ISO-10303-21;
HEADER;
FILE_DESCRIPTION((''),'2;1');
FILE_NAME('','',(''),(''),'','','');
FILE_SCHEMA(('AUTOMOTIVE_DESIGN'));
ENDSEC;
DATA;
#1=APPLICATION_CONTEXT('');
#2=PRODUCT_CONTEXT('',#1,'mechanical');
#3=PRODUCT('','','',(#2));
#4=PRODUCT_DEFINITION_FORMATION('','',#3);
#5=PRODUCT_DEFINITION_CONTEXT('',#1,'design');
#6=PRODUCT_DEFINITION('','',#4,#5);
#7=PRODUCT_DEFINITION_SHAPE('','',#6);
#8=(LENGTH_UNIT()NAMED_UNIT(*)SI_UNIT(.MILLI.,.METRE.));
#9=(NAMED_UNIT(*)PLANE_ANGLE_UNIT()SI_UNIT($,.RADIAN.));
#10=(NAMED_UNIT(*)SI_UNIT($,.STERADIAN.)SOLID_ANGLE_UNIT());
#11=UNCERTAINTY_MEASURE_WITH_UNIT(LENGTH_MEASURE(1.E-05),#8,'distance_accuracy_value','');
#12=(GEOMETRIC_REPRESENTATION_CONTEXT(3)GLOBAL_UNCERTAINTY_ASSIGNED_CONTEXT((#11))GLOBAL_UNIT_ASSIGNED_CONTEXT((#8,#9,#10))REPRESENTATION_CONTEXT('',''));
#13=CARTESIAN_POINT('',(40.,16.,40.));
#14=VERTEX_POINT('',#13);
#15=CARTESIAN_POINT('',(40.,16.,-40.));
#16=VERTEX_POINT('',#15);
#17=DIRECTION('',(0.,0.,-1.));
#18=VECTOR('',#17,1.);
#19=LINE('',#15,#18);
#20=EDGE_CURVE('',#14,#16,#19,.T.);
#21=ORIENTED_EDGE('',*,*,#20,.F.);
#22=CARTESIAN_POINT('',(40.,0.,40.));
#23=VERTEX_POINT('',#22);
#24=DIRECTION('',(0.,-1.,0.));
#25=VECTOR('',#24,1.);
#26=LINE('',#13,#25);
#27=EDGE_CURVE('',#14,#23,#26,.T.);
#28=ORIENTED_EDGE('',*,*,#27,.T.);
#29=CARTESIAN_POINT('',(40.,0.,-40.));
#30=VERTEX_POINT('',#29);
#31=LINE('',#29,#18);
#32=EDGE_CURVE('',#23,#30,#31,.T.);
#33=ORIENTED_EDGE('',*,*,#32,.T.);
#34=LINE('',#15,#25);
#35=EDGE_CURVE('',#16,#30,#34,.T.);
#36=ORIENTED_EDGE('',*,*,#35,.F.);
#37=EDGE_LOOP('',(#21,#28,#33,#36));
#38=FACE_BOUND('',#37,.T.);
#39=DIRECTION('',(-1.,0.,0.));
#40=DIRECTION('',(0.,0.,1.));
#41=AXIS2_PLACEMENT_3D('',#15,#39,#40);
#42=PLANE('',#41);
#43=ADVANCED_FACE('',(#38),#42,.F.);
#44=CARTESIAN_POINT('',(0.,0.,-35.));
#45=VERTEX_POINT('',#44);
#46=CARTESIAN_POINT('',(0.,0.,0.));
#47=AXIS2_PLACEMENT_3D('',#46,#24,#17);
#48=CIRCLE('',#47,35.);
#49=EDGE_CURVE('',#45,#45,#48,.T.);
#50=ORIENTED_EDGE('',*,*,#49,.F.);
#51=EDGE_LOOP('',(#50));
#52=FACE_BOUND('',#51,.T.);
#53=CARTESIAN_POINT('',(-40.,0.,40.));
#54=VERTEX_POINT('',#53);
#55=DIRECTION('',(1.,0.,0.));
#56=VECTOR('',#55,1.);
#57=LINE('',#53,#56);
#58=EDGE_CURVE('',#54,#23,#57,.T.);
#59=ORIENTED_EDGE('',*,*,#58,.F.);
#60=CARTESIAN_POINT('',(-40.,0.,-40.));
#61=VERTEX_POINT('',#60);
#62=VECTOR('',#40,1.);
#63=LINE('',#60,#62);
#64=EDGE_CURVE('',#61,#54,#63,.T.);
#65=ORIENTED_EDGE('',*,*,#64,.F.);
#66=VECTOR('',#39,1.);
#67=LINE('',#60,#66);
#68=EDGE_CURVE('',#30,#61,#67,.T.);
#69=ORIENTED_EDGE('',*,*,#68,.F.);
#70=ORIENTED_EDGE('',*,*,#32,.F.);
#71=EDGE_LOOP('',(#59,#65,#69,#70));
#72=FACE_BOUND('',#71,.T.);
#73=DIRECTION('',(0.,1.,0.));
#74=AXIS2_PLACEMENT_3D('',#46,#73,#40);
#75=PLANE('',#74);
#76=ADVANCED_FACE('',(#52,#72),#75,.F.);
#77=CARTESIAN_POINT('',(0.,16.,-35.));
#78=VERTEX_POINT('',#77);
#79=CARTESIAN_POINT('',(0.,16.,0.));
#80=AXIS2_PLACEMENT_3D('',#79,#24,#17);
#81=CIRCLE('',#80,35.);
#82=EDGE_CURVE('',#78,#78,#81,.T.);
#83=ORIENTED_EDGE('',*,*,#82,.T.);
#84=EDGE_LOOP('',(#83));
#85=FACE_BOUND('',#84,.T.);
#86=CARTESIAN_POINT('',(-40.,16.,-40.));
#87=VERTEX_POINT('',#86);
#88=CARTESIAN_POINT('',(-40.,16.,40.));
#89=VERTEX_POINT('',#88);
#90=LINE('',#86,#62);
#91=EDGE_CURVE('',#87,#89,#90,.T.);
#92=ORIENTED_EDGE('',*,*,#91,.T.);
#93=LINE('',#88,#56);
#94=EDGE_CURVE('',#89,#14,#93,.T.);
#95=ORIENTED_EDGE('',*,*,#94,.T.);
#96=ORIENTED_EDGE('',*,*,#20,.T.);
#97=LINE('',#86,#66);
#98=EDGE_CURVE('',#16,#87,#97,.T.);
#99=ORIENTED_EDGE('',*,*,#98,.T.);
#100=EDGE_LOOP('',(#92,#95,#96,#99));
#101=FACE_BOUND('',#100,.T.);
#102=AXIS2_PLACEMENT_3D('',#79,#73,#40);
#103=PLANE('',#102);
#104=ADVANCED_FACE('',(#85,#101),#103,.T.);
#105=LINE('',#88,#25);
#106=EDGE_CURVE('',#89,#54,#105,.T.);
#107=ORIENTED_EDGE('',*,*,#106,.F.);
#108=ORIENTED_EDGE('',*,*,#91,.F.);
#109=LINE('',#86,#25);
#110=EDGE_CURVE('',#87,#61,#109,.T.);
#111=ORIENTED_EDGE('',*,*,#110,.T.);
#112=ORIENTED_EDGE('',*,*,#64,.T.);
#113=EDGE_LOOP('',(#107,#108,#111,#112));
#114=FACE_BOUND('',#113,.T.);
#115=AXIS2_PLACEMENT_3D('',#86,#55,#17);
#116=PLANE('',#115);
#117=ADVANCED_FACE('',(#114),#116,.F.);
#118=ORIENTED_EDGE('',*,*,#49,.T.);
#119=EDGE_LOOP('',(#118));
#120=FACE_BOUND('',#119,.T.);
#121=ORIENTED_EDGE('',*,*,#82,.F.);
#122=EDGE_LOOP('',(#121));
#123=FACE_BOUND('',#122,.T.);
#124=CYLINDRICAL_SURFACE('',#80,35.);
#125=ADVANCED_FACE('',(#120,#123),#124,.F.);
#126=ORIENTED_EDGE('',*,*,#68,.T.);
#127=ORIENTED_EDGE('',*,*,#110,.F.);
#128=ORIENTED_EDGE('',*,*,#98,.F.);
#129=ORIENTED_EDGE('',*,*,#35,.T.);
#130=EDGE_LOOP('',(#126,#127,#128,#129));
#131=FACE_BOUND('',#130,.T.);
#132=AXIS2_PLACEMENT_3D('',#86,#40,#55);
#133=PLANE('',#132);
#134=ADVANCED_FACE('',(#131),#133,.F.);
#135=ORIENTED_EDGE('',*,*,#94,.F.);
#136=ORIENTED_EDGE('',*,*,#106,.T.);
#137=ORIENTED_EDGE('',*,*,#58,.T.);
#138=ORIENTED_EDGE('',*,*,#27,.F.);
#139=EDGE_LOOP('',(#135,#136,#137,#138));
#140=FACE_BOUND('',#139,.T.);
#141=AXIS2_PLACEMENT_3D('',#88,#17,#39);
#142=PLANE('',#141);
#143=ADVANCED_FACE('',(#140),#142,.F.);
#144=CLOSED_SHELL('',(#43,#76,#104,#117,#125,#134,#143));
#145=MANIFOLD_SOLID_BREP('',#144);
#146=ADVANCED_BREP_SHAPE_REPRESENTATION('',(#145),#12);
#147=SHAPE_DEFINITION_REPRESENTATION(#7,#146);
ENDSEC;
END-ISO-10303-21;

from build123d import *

# Parameters (mm, degrees)
SKETCH1_W           = 80
SKETCH1_H           = 80
BOSS_EXTRUDE1_DEPTH = 16
SKETCH2_R           = 35
CUT_EXTRUDE1_DEPTH  = 17


with BuildPart() as part:
    # Sketch1 → Boss-Extrude1 (new body)
    with BuildSketch(Plane(origin=(0, 0, 0), x_dir=(1, 0, 0), z_dir=(0, 1, 0))):
        Rectangle(SKETCH1_W, SKETCH1_H)
    extrude(amount=BOSS_EXTRUDE1_DEPTH)

    # Sketch2 → Cut-Extrude1 (cut, through all)
    with BuildSketch(Plane.XZ):
        Circle(SKETCH2_R)
    extrude(amount=-CUT_EXTRUDE1_DEPTH, mode=Mode.SUBTRACT)


solid = part.part
